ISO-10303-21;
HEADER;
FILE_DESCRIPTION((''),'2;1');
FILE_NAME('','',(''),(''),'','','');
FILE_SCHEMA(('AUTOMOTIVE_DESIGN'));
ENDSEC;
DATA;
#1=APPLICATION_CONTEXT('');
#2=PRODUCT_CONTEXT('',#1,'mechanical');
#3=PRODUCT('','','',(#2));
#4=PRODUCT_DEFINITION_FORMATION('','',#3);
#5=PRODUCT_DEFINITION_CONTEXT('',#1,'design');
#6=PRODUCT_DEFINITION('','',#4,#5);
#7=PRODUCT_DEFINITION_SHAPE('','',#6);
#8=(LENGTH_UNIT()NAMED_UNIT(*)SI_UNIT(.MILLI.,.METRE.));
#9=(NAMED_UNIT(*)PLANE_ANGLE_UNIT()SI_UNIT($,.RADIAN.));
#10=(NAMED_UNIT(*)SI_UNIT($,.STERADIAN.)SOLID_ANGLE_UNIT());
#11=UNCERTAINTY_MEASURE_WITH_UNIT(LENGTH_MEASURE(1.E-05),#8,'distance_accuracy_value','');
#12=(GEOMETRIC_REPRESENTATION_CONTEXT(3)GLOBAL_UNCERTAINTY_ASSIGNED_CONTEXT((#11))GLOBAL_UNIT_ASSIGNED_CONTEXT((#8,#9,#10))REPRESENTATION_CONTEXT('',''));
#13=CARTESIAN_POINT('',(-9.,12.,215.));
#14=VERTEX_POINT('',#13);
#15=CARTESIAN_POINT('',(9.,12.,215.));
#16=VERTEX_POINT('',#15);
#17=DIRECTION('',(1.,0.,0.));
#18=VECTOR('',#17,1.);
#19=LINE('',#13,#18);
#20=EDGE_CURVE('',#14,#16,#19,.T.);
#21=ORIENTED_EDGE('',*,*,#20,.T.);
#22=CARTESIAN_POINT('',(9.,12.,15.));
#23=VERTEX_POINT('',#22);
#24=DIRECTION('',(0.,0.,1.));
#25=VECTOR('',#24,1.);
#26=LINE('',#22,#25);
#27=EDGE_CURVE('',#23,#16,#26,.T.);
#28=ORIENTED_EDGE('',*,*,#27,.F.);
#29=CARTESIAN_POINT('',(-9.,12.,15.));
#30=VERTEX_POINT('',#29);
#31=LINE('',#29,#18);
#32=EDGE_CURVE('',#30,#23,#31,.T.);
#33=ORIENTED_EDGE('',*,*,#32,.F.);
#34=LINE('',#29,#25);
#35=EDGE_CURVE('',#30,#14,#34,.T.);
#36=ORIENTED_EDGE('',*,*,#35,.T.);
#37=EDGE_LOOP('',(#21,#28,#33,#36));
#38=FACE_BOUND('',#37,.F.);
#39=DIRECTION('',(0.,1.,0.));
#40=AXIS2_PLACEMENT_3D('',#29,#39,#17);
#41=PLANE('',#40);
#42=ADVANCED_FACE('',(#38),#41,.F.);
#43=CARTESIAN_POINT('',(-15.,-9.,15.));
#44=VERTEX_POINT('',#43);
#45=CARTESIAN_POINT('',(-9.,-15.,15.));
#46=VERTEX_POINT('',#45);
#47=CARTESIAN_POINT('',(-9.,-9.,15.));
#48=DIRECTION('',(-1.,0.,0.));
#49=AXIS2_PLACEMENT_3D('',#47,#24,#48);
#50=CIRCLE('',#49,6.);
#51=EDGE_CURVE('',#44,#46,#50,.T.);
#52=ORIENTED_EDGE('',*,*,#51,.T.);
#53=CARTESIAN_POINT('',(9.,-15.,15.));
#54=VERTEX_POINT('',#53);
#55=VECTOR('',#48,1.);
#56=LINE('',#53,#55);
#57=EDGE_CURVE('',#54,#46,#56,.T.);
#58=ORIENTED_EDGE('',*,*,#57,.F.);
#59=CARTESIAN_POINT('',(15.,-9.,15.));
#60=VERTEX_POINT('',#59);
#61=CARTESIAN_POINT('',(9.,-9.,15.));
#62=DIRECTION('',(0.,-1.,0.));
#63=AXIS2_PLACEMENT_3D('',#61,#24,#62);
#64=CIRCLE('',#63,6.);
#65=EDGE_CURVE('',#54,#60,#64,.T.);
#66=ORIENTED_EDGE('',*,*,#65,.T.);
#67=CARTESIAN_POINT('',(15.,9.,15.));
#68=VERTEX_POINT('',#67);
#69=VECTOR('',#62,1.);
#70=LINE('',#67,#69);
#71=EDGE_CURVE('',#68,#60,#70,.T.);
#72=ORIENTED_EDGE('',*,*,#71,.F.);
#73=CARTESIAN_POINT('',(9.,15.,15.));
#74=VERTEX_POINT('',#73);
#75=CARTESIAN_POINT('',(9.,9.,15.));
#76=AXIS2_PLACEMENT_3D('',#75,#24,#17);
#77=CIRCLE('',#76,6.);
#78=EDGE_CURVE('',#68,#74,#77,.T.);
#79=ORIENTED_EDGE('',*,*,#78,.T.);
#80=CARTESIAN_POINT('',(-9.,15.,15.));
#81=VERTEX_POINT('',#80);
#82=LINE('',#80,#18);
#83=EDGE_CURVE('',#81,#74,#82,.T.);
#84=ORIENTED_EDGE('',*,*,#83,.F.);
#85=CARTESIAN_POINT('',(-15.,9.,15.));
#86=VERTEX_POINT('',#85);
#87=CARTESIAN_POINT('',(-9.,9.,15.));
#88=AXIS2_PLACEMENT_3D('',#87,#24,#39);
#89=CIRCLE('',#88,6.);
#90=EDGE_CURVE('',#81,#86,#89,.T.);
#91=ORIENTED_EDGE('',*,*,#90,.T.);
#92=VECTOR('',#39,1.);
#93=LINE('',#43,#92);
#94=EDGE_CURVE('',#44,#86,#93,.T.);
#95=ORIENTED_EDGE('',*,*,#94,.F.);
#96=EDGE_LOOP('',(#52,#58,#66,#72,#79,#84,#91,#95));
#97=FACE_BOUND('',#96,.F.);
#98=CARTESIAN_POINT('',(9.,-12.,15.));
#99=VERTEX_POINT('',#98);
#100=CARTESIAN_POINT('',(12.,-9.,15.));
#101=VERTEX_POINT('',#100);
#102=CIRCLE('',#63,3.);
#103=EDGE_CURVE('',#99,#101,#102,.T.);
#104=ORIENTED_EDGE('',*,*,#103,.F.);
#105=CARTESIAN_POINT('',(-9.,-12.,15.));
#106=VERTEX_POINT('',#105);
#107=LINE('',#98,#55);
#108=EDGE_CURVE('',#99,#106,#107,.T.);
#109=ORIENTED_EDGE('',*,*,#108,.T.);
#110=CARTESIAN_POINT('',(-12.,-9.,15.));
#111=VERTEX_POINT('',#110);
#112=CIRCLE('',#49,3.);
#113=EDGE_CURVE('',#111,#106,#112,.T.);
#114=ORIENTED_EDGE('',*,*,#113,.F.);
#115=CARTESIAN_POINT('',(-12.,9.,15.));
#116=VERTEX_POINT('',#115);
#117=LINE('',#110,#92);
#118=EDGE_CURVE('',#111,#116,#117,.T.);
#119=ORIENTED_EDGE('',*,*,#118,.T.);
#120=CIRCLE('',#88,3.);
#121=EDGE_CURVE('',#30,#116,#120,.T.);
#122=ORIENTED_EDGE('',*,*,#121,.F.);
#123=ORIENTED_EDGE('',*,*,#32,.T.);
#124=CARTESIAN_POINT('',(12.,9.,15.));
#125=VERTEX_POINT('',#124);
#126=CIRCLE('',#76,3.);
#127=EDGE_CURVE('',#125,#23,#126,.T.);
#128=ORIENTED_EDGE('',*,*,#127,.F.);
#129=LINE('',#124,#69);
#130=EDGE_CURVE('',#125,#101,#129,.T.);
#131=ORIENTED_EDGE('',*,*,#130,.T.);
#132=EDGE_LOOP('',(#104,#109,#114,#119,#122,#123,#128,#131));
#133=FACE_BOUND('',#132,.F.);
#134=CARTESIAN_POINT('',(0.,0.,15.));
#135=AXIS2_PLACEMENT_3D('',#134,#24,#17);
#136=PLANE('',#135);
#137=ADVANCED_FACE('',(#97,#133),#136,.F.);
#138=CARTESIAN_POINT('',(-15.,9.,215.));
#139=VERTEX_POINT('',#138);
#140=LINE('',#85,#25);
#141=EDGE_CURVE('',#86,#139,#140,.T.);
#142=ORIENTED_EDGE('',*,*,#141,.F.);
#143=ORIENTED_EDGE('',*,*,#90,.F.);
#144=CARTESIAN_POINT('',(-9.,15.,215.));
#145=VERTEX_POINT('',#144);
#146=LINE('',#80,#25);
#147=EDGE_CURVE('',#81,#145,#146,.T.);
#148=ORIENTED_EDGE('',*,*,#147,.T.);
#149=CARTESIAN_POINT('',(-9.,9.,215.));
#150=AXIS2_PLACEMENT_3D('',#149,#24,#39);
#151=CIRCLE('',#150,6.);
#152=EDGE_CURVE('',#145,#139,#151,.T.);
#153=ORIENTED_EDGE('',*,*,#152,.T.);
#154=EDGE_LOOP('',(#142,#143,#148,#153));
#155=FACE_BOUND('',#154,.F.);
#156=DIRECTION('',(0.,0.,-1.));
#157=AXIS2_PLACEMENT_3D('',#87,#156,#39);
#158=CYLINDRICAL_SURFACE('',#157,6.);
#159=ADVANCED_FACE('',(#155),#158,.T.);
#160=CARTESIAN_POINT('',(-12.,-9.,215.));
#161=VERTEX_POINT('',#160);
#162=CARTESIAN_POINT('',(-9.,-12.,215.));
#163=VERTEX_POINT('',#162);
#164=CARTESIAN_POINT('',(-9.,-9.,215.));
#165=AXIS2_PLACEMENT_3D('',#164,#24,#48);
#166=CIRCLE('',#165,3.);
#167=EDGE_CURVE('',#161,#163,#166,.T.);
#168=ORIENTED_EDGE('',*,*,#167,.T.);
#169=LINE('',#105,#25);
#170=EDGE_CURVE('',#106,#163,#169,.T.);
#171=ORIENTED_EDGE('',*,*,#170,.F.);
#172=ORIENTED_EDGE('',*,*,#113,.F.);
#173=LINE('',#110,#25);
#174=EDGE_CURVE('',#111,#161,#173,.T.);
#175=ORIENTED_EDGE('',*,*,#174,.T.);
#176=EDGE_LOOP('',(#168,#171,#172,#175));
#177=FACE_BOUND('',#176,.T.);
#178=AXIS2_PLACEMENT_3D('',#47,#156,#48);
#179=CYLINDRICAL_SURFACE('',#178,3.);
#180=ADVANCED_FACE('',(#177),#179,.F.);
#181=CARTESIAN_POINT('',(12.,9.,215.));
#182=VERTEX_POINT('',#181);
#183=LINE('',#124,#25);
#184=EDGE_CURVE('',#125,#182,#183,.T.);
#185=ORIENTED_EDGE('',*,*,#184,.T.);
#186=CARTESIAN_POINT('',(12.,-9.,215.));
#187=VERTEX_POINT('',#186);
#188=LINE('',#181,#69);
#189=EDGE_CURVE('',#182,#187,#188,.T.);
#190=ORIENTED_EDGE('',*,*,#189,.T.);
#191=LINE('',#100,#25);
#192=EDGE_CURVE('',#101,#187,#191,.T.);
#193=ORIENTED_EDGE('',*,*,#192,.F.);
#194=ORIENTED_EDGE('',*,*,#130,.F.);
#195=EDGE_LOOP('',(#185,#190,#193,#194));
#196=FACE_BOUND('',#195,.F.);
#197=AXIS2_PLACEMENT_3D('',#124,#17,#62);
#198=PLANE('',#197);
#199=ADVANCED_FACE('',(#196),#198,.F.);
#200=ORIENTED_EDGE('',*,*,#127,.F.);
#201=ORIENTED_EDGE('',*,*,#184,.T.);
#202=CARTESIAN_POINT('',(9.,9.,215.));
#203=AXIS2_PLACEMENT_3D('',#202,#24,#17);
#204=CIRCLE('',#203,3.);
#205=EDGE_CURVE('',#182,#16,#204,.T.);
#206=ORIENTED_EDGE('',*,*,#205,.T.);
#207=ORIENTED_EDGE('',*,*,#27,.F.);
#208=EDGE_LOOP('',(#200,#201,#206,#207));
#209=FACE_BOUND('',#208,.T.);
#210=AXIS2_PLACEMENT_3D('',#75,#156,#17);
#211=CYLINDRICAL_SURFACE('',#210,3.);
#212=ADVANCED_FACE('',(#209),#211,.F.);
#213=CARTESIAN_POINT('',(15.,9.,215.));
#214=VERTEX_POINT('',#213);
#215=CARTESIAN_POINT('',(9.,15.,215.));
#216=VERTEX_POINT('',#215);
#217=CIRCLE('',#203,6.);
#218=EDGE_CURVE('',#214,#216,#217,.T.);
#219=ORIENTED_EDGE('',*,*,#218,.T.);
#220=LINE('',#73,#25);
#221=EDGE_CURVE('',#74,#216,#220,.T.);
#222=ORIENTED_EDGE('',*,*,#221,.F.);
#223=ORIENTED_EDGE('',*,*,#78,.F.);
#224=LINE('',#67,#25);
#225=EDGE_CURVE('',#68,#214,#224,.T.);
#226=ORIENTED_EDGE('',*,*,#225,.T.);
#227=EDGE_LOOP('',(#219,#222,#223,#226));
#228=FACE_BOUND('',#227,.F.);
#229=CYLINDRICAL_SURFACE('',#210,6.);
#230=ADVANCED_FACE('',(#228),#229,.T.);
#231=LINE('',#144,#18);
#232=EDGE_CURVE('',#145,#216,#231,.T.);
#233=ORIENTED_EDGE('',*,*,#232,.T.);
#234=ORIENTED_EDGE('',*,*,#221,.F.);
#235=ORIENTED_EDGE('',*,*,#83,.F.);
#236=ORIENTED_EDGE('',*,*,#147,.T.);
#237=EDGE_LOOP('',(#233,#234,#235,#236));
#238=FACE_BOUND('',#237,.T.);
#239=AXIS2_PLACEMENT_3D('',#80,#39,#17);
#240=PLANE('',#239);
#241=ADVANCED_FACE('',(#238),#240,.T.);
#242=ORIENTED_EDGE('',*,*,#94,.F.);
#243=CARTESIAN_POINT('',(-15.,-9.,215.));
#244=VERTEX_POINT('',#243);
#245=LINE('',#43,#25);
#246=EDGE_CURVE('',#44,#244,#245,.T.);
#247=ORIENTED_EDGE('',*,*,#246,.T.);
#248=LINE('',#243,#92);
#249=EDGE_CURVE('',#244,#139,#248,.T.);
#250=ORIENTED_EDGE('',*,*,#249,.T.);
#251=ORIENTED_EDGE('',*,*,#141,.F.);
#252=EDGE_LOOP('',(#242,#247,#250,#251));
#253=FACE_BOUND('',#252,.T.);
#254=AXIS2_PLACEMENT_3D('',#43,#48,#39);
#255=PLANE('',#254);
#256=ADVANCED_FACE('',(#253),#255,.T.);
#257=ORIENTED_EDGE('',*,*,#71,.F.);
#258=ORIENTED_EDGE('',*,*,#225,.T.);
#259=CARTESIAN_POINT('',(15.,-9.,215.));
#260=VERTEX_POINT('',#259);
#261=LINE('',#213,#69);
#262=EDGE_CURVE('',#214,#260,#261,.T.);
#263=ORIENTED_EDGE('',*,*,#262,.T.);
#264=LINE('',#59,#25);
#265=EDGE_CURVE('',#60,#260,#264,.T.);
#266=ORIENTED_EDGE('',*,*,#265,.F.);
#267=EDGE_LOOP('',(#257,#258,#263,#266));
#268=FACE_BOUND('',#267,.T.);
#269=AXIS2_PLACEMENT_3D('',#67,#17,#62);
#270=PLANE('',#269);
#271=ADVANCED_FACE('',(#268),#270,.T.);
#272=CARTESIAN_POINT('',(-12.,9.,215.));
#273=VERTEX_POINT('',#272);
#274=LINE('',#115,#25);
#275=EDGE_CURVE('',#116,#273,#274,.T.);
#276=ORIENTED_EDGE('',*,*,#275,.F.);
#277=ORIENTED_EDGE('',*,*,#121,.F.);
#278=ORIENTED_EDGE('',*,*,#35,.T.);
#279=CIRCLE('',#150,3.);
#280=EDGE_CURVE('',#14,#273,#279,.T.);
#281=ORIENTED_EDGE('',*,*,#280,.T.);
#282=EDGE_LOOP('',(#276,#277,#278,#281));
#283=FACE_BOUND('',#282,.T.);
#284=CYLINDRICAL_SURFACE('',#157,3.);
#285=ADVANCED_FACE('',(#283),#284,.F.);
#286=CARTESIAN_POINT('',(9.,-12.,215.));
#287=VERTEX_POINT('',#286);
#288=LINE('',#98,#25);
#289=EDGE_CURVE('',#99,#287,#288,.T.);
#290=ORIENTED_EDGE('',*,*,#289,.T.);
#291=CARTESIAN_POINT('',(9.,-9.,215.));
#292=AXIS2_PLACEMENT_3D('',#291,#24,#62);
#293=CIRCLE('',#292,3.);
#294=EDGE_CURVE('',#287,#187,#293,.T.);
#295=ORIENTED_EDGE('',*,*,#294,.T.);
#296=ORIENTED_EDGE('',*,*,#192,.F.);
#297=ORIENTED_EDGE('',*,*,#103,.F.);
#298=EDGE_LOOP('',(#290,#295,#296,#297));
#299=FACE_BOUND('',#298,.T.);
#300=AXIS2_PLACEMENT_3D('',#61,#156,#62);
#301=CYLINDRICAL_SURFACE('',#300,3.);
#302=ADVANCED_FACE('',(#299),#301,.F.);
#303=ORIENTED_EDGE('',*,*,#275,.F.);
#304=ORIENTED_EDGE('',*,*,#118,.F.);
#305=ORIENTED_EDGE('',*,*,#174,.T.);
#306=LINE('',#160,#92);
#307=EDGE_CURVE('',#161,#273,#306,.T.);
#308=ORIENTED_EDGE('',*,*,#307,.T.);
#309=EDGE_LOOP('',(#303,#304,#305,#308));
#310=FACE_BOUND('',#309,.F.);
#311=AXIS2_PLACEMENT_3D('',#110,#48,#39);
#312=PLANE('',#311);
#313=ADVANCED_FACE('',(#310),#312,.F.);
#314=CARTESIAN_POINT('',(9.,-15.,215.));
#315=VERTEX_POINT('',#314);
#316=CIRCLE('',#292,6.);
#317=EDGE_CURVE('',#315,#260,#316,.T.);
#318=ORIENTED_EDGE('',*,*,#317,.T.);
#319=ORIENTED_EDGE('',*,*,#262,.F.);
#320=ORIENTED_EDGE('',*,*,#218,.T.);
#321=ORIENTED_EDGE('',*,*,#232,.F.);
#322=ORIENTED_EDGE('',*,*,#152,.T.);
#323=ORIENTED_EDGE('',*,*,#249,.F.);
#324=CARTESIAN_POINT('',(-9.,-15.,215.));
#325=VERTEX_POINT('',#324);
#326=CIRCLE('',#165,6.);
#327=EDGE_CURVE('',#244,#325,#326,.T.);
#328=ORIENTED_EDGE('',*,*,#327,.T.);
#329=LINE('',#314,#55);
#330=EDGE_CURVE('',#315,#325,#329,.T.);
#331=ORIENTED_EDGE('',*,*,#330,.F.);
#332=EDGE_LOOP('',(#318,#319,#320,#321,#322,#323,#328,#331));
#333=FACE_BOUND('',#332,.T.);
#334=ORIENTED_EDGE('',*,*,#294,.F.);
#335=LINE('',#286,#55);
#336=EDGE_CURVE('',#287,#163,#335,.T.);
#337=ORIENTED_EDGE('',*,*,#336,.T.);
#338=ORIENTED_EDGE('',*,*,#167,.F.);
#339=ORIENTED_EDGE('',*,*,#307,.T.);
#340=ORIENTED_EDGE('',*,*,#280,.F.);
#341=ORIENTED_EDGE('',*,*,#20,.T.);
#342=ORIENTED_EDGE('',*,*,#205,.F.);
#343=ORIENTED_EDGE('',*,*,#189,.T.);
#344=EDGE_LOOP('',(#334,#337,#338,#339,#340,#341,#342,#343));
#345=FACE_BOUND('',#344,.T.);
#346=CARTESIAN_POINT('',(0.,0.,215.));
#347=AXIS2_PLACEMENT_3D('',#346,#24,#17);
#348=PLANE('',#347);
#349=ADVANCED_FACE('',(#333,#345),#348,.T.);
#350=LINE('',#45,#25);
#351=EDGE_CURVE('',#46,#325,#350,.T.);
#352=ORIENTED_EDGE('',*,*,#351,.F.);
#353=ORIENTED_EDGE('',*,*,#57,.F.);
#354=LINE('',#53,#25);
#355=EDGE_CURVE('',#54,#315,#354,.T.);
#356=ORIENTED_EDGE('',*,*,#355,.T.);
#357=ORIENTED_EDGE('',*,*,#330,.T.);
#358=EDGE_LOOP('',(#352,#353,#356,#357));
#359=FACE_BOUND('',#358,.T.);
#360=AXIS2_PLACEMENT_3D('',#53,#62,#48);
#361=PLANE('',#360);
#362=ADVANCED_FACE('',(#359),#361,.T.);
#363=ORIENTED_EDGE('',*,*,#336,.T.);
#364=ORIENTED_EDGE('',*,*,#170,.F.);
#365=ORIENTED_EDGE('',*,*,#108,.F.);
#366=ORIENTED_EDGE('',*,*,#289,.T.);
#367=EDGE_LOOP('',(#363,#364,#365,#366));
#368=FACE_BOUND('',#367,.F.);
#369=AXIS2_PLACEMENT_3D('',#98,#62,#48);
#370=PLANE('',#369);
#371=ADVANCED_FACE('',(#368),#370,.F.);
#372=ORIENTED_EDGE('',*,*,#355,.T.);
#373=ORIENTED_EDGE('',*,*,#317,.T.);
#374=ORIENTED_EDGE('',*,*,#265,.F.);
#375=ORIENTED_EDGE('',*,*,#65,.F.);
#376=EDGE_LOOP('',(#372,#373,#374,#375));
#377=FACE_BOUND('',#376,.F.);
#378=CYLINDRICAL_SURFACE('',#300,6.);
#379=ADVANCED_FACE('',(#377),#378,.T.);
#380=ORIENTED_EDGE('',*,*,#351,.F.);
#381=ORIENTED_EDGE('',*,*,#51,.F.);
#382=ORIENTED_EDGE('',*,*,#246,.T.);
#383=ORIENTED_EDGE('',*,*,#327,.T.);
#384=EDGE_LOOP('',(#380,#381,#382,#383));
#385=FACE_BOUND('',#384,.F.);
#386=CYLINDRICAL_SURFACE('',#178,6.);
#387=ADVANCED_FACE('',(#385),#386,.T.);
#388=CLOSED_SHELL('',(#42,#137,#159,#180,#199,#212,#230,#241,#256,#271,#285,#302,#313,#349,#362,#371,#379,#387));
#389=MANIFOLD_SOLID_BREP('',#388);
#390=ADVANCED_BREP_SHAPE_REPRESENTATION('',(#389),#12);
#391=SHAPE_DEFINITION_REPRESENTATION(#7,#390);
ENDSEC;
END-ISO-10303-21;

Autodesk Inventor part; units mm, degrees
ref_plane "Start Plane" through (0, 0, 15) normal (0, 0, 1) x (1, 0, 0)
ref_plane "End Plane" through (0, 0, 215) normal (0, 0, 1) x (1, 0, 0)
sketch "Sketch" plane through (0, 0, 0) normal (0, 0, 1) x (1, 0, 0)
  line L0 (-15, -9) -> (-15, 9)
  line L1 (-9, 15) -> (9, 15)
  line L2 (15, 9) -> (15, -9)
  line L3 (9, -15) -> (-9, -15)
  arc A0 (-15, -9) -> (-9, -15) centre (-9, -9) ccw
  arc A1 (-9, 15) -> (-15, 9) centre (-9, 9) ccw
  arc A2 (15, 9) -> (9, 15) centre (9, 9) ccw
  arc A3 (9, -15) -> (15, -9) centre (9, -9) ccw
  arc A4 (-9, 12) -> (-12, 9) centre (-9, 9) ccw
  line L4 (-9, 12) -> (9, 12)
  arc A5 (12, 9) -> (9, 12) centre (9, 9) ccw
  line L5 (12, 9) -> (12, -9)
  arc A6 (9, -12) -> (12, -9) centre (9, -9) ccw
  line L6 (9, -12) -> (-9, -12)
  arc A7 (-12, -9) -> (-9, -12) centre (-9, -9) ccw
  line L7 (-12, -9) -> (-12, 9)
  line L8 (0, 22.7397) -> (0, -22.7397) construction
  line L9 (-22.7397, 0) -> (22.7397, 0) construction
  dimension "d7" = 6
  dimension "d10" = 30
  dimension "d11" = 30
  dimension "d12" = 3
  dimension "d15" = 15
  dimension "d16" = 15
extrude "Body" add sketch "Sketch" along normal up to surface (200 mm away) from surface at 15
sketch "Sketch3" plane through (0, 0, 0) normal (0, 0, 1) x (1, 0, 0)
  line L0 (0, 0) -> (10, 0)
ref_plane "Work Plane3" through (0, 0, 0) normal (0, -1, 0) x (1, 0, 0)
ref_plane "Work Plane4" through (678.5, 9, 15) normal (0, 0, -1) x (-1, 0, 0)
split "Split1" plane through (678.5, 9, 15) removes the side toward (0, 0, -1)
ref_plane "Work Plane5" through (-1321.5, 9, 215) normal (0, 0, 1) x (1, 0, 0)
split "Split2" plane through (-1321.5, 9, 215) removes the side toward (0, 0, 1)
sketch "Sketch4" plane through (0, 0, 0) normal (0, -1, 0) x (1, 0, 0)
  line L0 (-2, 15) -> (12, 15) projected
  line L1 (-2, 215) -> (12, 215) projected
  dimension "d18" = 200
equation "\"d7\" = G_IR"
equation "\"d10\" = G_H"
equation "\"d11\" = G_W"
equation "\"d12\" = G_T"
equation "\"d15\" = 0.5 * d10"
equation "\"d16\" = 0.5 * d11"
equation "\"d3\" = G_L"
equation "\"G_W\" = 30"
equation "\"G_H\" = 30"
equation "\"G_T\" = 3"
equation "\"G_IR\" = 6"
equation "\"G_L\" = d18"
equation "\"G_OFFSET_START\" = -15"
equation "\"G_OFFSET_END\" = -15"
equation "\"d13\" = -G_OFFSET_START"
equation "\"d14\" = G_OFFSET_END + B_L"
equation "\"B_L\" = 230"
properties part number "DIN EN 10219-2 - 30 x 30 x 3  - 200" material "Steel, Mild"
